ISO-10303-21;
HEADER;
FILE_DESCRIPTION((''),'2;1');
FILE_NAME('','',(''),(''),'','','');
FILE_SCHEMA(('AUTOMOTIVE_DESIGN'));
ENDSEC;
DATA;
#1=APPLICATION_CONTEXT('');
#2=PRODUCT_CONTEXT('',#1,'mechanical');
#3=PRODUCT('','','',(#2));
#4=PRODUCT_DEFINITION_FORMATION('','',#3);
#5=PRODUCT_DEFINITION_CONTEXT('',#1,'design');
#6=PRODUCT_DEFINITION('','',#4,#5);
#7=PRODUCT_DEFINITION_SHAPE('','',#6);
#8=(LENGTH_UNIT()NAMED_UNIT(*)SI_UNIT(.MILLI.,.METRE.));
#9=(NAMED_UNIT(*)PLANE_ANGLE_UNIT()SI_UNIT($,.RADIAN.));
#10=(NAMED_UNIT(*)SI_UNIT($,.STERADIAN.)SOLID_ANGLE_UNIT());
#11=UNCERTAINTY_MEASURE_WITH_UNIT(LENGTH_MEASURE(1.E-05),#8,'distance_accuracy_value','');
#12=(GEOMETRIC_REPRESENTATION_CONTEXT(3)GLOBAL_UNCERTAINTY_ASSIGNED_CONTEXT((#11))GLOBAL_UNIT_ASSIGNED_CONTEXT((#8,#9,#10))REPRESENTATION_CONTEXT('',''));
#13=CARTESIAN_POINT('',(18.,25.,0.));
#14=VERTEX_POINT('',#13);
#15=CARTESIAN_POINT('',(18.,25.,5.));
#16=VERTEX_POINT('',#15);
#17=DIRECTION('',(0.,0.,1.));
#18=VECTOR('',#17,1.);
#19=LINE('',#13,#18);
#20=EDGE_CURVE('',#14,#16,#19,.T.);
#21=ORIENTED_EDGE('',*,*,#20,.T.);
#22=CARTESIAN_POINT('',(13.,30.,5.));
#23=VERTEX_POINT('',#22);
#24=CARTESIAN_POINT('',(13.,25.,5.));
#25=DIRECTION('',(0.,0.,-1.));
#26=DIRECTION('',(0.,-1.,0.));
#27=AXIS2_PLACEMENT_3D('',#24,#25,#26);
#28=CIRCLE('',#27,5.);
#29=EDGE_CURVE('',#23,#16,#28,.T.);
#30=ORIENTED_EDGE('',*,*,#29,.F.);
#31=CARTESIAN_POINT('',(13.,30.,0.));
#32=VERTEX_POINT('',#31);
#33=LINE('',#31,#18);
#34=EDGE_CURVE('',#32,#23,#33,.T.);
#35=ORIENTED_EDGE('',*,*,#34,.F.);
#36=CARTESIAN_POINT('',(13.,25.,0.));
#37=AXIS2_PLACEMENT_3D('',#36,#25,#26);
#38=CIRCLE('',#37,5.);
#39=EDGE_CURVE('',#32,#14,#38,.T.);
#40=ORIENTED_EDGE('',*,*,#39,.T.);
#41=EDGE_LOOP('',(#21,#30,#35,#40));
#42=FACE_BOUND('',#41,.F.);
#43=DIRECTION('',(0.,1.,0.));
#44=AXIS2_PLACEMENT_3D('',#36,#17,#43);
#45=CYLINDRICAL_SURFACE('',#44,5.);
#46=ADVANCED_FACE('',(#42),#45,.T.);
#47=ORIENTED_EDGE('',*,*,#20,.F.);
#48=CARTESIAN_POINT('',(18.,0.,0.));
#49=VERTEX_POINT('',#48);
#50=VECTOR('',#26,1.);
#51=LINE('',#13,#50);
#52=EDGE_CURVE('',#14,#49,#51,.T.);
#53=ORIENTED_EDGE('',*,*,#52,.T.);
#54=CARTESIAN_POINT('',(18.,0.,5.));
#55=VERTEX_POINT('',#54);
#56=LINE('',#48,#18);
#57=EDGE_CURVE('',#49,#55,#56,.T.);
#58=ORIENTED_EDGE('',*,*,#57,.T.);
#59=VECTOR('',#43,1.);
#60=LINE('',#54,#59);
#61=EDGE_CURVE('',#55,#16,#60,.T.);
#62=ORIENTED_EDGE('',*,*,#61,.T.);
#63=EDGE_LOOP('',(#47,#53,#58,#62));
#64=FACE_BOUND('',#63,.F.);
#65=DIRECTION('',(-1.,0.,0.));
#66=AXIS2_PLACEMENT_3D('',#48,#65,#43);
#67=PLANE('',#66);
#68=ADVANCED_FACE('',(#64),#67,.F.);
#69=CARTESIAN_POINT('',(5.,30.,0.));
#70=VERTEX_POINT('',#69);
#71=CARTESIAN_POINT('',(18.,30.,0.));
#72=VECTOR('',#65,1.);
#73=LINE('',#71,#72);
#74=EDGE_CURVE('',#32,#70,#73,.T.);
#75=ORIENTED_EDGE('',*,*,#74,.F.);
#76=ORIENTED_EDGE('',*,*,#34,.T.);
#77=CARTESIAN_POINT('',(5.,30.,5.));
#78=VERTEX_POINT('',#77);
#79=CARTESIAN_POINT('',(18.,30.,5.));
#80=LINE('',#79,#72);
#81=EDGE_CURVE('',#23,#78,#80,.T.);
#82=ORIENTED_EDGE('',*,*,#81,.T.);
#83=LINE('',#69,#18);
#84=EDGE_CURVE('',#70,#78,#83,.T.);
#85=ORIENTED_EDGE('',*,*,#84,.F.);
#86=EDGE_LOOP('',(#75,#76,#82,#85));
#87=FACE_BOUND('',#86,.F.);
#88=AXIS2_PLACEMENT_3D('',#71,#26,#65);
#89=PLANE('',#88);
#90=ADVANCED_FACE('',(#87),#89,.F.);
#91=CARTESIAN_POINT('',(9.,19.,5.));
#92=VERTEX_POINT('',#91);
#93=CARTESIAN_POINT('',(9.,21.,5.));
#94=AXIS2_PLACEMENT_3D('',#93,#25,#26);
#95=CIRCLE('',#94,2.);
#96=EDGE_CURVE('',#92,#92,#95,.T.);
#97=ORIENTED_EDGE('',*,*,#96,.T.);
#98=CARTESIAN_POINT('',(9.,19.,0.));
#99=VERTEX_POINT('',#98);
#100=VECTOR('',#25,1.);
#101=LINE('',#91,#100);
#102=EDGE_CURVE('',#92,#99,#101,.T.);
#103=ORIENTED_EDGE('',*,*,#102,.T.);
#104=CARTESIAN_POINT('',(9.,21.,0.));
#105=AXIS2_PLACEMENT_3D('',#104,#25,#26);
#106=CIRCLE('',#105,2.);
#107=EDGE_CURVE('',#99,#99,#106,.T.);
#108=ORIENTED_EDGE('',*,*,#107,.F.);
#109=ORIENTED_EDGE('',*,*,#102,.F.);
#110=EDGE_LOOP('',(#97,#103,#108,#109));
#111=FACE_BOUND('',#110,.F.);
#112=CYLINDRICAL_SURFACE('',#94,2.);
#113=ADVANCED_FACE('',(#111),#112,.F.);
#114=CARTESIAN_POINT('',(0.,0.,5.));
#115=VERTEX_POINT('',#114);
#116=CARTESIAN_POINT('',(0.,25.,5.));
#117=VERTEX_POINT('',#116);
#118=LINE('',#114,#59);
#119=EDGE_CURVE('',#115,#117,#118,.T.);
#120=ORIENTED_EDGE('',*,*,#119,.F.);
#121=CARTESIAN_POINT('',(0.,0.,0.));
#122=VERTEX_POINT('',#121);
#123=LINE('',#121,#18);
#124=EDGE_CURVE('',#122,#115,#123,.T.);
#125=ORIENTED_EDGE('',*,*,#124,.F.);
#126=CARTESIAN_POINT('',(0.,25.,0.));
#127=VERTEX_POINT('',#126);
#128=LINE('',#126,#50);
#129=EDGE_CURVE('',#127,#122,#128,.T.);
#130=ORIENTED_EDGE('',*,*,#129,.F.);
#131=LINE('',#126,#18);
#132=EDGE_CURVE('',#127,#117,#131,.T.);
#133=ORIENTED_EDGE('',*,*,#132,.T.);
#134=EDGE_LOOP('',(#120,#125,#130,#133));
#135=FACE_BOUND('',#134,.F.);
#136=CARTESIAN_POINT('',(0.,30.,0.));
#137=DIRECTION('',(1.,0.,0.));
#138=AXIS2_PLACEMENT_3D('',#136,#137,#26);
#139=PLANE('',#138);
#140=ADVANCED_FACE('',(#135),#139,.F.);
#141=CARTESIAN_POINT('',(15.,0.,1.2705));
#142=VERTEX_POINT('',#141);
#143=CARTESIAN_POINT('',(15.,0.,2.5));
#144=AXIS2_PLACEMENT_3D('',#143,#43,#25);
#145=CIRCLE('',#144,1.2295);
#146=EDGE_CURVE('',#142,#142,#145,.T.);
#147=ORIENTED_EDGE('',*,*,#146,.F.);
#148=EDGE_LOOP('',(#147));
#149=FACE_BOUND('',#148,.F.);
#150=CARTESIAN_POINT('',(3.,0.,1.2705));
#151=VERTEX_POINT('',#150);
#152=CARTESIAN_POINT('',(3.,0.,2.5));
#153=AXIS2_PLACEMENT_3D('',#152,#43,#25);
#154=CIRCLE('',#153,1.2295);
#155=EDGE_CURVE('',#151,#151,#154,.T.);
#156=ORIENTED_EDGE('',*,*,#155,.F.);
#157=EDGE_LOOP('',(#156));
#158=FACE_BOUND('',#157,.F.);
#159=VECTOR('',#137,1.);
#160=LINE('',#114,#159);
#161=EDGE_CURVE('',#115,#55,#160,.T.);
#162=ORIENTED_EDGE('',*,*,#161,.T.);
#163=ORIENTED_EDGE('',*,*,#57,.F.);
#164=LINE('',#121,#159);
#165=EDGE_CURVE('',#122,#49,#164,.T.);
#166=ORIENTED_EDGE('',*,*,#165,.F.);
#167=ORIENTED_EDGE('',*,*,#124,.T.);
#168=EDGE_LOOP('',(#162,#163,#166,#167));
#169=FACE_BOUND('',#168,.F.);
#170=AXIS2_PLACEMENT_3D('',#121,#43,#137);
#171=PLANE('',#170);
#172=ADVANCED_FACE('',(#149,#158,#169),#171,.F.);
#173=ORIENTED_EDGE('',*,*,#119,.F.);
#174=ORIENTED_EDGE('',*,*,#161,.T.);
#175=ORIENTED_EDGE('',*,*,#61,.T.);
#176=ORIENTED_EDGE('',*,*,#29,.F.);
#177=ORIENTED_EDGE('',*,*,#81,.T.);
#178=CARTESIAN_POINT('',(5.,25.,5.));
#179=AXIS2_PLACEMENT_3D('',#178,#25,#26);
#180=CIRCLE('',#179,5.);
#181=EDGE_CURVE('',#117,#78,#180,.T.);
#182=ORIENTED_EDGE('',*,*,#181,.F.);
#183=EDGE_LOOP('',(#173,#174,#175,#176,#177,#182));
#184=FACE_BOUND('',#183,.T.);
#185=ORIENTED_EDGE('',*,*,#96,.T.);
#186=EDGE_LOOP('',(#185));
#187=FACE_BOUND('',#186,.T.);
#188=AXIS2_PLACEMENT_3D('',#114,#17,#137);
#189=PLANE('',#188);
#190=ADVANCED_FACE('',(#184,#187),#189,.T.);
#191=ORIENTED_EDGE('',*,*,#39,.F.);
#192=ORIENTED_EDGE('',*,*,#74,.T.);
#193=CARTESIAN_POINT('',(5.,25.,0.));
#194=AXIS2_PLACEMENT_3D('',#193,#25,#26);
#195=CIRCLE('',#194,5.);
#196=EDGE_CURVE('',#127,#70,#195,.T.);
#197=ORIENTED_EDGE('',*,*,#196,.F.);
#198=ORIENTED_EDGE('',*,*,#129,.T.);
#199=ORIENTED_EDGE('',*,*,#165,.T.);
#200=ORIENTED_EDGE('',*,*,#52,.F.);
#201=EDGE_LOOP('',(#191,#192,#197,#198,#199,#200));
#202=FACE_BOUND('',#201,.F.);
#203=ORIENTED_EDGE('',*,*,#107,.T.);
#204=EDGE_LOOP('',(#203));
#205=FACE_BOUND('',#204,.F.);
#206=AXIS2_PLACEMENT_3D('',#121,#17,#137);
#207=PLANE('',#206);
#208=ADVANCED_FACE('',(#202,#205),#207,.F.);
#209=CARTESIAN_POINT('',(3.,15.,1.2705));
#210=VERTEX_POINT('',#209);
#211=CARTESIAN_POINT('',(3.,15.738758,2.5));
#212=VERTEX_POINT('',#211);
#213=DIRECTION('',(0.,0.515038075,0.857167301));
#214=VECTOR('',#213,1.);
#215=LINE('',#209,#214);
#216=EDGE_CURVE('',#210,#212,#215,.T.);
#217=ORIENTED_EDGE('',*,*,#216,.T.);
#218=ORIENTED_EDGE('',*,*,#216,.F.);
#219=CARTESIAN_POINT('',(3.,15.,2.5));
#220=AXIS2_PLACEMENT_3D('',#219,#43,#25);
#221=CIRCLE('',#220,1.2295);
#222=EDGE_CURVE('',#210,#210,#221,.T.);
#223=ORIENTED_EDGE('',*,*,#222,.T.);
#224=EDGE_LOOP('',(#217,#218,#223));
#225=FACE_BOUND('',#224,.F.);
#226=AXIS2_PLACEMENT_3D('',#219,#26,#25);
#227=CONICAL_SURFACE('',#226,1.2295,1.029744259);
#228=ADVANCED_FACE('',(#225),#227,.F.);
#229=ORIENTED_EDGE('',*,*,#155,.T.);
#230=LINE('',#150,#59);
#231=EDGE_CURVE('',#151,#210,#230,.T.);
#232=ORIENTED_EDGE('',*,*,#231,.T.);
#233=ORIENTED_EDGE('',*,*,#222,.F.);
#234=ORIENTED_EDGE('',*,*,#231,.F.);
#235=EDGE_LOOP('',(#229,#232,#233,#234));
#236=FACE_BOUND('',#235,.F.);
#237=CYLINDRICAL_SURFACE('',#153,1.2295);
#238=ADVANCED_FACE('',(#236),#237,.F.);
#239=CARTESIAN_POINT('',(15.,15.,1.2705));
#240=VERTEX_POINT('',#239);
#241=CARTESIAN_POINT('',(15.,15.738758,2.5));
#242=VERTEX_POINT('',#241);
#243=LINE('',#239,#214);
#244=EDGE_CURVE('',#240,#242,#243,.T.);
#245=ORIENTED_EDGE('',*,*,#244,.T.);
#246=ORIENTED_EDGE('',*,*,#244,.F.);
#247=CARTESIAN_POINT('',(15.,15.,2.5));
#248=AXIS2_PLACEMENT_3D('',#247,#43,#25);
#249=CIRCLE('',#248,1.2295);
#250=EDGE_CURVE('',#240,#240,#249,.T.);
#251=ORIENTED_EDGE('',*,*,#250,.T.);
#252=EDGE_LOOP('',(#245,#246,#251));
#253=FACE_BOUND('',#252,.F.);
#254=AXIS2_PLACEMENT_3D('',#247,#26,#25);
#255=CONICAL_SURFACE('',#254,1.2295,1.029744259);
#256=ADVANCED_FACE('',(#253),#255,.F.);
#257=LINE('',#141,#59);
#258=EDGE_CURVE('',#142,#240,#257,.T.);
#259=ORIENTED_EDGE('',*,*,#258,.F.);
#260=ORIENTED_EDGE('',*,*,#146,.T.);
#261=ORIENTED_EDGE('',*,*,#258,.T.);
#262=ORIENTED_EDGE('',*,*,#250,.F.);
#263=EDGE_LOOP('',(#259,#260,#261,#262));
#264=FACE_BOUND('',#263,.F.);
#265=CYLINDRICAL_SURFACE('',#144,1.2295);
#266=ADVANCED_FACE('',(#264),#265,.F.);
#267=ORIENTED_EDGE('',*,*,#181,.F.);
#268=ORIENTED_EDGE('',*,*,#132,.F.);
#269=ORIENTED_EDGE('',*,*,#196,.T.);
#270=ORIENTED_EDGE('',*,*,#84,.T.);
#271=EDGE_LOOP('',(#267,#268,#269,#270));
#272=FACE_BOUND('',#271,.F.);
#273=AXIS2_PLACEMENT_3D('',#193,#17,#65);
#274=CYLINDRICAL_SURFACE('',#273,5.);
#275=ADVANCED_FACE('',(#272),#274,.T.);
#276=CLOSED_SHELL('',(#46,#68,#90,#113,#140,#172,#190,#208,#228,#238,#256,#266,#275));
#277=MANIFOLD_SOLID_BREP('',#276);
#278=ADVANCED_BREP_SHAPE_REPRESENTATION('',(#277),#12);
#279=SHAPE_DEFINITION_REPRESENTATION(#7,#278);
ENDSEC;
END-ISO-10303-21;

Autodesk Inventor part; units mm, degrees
ref_plane "YZ Plane" through (0, 0, 0) normal (1, 0, 0) x (0, 1, 0)
ref_plane "XZ Plane" through (0, 0, 0) normal (0, 1, 0) x (-1, 0, 0)
ref_plane "XY Plane" through (0, 0, 0) normal (0, 0, 1) x (1, 0, 0)
sketch "Sketch1" plane through (0, 0, 0) normal (0, 0, 1) x (1, 0, 0)
  line L0 (0, 0) -> (0, 5) projected
  line L1 (18, 0) -> (18, 5) projected
  line L2 (0, 0) -> (18, 0) projected
  line L3 (0, 0) -> (18, 0)
  line L4 (18, 0) -> (18, 30)
  line L5 (18, 30) -> (0, 30)
  line L6 (0, 30) -> (0, 0)
  dimension "d0" = 30
extrude "Extrusion1" add sketch "Sketch1" along normal blind 5
fillet "Fillet1" radius 5 2 edges at (0, 30, 2.5) (18, 30, 2.5)
sketch "Sketch3" plane through (0, 0, 5) normal (0, 0, 1) x (1, 0, 0)
  circle A0 centre (9, 21) radius 2
  line L0 (0, 25) -> (0, 0) projected
  line L1 (13, 30) -> (5, 30) projected
  dimension "d11" = 9
  dimension "d12" = 9
  dimension "d13" = 4
hole "Hole2" at (9, 21, 5) direction (0, 0, -1) diameter 4 depth 20 tip angle 118
sketch "Sketch4" plane through (0, 0, 0) normal (0, -1, 0) x (1, 0, 0)
  circle A0 centre (3, 2.5) radius 1.5
  circle A1 centre (15, 2.5) radius 1.5
  line L0 (0, 0) -> (18, 0) projected
  line L1 (0, 0) -> (0, 5) projected
  dimension "d21" = 12
  dimension "d22" = 2.5
  dimension "d23" = 2.5
  dimension "d24" = 3
  dimension "d25" = 3
  dimension "d26" = 3
hole "Hole3" at (3, 0, 2.5) at (15, 0, 2.5) direction (0, 1, 0) diameter 2.459 depth 15 tip angle 118 thread size "M3x0.5" class "6H" standard "ISO Metric profile"
equation "\"d14\" = d13"
properties part number "Z-Kettenhalter3"
